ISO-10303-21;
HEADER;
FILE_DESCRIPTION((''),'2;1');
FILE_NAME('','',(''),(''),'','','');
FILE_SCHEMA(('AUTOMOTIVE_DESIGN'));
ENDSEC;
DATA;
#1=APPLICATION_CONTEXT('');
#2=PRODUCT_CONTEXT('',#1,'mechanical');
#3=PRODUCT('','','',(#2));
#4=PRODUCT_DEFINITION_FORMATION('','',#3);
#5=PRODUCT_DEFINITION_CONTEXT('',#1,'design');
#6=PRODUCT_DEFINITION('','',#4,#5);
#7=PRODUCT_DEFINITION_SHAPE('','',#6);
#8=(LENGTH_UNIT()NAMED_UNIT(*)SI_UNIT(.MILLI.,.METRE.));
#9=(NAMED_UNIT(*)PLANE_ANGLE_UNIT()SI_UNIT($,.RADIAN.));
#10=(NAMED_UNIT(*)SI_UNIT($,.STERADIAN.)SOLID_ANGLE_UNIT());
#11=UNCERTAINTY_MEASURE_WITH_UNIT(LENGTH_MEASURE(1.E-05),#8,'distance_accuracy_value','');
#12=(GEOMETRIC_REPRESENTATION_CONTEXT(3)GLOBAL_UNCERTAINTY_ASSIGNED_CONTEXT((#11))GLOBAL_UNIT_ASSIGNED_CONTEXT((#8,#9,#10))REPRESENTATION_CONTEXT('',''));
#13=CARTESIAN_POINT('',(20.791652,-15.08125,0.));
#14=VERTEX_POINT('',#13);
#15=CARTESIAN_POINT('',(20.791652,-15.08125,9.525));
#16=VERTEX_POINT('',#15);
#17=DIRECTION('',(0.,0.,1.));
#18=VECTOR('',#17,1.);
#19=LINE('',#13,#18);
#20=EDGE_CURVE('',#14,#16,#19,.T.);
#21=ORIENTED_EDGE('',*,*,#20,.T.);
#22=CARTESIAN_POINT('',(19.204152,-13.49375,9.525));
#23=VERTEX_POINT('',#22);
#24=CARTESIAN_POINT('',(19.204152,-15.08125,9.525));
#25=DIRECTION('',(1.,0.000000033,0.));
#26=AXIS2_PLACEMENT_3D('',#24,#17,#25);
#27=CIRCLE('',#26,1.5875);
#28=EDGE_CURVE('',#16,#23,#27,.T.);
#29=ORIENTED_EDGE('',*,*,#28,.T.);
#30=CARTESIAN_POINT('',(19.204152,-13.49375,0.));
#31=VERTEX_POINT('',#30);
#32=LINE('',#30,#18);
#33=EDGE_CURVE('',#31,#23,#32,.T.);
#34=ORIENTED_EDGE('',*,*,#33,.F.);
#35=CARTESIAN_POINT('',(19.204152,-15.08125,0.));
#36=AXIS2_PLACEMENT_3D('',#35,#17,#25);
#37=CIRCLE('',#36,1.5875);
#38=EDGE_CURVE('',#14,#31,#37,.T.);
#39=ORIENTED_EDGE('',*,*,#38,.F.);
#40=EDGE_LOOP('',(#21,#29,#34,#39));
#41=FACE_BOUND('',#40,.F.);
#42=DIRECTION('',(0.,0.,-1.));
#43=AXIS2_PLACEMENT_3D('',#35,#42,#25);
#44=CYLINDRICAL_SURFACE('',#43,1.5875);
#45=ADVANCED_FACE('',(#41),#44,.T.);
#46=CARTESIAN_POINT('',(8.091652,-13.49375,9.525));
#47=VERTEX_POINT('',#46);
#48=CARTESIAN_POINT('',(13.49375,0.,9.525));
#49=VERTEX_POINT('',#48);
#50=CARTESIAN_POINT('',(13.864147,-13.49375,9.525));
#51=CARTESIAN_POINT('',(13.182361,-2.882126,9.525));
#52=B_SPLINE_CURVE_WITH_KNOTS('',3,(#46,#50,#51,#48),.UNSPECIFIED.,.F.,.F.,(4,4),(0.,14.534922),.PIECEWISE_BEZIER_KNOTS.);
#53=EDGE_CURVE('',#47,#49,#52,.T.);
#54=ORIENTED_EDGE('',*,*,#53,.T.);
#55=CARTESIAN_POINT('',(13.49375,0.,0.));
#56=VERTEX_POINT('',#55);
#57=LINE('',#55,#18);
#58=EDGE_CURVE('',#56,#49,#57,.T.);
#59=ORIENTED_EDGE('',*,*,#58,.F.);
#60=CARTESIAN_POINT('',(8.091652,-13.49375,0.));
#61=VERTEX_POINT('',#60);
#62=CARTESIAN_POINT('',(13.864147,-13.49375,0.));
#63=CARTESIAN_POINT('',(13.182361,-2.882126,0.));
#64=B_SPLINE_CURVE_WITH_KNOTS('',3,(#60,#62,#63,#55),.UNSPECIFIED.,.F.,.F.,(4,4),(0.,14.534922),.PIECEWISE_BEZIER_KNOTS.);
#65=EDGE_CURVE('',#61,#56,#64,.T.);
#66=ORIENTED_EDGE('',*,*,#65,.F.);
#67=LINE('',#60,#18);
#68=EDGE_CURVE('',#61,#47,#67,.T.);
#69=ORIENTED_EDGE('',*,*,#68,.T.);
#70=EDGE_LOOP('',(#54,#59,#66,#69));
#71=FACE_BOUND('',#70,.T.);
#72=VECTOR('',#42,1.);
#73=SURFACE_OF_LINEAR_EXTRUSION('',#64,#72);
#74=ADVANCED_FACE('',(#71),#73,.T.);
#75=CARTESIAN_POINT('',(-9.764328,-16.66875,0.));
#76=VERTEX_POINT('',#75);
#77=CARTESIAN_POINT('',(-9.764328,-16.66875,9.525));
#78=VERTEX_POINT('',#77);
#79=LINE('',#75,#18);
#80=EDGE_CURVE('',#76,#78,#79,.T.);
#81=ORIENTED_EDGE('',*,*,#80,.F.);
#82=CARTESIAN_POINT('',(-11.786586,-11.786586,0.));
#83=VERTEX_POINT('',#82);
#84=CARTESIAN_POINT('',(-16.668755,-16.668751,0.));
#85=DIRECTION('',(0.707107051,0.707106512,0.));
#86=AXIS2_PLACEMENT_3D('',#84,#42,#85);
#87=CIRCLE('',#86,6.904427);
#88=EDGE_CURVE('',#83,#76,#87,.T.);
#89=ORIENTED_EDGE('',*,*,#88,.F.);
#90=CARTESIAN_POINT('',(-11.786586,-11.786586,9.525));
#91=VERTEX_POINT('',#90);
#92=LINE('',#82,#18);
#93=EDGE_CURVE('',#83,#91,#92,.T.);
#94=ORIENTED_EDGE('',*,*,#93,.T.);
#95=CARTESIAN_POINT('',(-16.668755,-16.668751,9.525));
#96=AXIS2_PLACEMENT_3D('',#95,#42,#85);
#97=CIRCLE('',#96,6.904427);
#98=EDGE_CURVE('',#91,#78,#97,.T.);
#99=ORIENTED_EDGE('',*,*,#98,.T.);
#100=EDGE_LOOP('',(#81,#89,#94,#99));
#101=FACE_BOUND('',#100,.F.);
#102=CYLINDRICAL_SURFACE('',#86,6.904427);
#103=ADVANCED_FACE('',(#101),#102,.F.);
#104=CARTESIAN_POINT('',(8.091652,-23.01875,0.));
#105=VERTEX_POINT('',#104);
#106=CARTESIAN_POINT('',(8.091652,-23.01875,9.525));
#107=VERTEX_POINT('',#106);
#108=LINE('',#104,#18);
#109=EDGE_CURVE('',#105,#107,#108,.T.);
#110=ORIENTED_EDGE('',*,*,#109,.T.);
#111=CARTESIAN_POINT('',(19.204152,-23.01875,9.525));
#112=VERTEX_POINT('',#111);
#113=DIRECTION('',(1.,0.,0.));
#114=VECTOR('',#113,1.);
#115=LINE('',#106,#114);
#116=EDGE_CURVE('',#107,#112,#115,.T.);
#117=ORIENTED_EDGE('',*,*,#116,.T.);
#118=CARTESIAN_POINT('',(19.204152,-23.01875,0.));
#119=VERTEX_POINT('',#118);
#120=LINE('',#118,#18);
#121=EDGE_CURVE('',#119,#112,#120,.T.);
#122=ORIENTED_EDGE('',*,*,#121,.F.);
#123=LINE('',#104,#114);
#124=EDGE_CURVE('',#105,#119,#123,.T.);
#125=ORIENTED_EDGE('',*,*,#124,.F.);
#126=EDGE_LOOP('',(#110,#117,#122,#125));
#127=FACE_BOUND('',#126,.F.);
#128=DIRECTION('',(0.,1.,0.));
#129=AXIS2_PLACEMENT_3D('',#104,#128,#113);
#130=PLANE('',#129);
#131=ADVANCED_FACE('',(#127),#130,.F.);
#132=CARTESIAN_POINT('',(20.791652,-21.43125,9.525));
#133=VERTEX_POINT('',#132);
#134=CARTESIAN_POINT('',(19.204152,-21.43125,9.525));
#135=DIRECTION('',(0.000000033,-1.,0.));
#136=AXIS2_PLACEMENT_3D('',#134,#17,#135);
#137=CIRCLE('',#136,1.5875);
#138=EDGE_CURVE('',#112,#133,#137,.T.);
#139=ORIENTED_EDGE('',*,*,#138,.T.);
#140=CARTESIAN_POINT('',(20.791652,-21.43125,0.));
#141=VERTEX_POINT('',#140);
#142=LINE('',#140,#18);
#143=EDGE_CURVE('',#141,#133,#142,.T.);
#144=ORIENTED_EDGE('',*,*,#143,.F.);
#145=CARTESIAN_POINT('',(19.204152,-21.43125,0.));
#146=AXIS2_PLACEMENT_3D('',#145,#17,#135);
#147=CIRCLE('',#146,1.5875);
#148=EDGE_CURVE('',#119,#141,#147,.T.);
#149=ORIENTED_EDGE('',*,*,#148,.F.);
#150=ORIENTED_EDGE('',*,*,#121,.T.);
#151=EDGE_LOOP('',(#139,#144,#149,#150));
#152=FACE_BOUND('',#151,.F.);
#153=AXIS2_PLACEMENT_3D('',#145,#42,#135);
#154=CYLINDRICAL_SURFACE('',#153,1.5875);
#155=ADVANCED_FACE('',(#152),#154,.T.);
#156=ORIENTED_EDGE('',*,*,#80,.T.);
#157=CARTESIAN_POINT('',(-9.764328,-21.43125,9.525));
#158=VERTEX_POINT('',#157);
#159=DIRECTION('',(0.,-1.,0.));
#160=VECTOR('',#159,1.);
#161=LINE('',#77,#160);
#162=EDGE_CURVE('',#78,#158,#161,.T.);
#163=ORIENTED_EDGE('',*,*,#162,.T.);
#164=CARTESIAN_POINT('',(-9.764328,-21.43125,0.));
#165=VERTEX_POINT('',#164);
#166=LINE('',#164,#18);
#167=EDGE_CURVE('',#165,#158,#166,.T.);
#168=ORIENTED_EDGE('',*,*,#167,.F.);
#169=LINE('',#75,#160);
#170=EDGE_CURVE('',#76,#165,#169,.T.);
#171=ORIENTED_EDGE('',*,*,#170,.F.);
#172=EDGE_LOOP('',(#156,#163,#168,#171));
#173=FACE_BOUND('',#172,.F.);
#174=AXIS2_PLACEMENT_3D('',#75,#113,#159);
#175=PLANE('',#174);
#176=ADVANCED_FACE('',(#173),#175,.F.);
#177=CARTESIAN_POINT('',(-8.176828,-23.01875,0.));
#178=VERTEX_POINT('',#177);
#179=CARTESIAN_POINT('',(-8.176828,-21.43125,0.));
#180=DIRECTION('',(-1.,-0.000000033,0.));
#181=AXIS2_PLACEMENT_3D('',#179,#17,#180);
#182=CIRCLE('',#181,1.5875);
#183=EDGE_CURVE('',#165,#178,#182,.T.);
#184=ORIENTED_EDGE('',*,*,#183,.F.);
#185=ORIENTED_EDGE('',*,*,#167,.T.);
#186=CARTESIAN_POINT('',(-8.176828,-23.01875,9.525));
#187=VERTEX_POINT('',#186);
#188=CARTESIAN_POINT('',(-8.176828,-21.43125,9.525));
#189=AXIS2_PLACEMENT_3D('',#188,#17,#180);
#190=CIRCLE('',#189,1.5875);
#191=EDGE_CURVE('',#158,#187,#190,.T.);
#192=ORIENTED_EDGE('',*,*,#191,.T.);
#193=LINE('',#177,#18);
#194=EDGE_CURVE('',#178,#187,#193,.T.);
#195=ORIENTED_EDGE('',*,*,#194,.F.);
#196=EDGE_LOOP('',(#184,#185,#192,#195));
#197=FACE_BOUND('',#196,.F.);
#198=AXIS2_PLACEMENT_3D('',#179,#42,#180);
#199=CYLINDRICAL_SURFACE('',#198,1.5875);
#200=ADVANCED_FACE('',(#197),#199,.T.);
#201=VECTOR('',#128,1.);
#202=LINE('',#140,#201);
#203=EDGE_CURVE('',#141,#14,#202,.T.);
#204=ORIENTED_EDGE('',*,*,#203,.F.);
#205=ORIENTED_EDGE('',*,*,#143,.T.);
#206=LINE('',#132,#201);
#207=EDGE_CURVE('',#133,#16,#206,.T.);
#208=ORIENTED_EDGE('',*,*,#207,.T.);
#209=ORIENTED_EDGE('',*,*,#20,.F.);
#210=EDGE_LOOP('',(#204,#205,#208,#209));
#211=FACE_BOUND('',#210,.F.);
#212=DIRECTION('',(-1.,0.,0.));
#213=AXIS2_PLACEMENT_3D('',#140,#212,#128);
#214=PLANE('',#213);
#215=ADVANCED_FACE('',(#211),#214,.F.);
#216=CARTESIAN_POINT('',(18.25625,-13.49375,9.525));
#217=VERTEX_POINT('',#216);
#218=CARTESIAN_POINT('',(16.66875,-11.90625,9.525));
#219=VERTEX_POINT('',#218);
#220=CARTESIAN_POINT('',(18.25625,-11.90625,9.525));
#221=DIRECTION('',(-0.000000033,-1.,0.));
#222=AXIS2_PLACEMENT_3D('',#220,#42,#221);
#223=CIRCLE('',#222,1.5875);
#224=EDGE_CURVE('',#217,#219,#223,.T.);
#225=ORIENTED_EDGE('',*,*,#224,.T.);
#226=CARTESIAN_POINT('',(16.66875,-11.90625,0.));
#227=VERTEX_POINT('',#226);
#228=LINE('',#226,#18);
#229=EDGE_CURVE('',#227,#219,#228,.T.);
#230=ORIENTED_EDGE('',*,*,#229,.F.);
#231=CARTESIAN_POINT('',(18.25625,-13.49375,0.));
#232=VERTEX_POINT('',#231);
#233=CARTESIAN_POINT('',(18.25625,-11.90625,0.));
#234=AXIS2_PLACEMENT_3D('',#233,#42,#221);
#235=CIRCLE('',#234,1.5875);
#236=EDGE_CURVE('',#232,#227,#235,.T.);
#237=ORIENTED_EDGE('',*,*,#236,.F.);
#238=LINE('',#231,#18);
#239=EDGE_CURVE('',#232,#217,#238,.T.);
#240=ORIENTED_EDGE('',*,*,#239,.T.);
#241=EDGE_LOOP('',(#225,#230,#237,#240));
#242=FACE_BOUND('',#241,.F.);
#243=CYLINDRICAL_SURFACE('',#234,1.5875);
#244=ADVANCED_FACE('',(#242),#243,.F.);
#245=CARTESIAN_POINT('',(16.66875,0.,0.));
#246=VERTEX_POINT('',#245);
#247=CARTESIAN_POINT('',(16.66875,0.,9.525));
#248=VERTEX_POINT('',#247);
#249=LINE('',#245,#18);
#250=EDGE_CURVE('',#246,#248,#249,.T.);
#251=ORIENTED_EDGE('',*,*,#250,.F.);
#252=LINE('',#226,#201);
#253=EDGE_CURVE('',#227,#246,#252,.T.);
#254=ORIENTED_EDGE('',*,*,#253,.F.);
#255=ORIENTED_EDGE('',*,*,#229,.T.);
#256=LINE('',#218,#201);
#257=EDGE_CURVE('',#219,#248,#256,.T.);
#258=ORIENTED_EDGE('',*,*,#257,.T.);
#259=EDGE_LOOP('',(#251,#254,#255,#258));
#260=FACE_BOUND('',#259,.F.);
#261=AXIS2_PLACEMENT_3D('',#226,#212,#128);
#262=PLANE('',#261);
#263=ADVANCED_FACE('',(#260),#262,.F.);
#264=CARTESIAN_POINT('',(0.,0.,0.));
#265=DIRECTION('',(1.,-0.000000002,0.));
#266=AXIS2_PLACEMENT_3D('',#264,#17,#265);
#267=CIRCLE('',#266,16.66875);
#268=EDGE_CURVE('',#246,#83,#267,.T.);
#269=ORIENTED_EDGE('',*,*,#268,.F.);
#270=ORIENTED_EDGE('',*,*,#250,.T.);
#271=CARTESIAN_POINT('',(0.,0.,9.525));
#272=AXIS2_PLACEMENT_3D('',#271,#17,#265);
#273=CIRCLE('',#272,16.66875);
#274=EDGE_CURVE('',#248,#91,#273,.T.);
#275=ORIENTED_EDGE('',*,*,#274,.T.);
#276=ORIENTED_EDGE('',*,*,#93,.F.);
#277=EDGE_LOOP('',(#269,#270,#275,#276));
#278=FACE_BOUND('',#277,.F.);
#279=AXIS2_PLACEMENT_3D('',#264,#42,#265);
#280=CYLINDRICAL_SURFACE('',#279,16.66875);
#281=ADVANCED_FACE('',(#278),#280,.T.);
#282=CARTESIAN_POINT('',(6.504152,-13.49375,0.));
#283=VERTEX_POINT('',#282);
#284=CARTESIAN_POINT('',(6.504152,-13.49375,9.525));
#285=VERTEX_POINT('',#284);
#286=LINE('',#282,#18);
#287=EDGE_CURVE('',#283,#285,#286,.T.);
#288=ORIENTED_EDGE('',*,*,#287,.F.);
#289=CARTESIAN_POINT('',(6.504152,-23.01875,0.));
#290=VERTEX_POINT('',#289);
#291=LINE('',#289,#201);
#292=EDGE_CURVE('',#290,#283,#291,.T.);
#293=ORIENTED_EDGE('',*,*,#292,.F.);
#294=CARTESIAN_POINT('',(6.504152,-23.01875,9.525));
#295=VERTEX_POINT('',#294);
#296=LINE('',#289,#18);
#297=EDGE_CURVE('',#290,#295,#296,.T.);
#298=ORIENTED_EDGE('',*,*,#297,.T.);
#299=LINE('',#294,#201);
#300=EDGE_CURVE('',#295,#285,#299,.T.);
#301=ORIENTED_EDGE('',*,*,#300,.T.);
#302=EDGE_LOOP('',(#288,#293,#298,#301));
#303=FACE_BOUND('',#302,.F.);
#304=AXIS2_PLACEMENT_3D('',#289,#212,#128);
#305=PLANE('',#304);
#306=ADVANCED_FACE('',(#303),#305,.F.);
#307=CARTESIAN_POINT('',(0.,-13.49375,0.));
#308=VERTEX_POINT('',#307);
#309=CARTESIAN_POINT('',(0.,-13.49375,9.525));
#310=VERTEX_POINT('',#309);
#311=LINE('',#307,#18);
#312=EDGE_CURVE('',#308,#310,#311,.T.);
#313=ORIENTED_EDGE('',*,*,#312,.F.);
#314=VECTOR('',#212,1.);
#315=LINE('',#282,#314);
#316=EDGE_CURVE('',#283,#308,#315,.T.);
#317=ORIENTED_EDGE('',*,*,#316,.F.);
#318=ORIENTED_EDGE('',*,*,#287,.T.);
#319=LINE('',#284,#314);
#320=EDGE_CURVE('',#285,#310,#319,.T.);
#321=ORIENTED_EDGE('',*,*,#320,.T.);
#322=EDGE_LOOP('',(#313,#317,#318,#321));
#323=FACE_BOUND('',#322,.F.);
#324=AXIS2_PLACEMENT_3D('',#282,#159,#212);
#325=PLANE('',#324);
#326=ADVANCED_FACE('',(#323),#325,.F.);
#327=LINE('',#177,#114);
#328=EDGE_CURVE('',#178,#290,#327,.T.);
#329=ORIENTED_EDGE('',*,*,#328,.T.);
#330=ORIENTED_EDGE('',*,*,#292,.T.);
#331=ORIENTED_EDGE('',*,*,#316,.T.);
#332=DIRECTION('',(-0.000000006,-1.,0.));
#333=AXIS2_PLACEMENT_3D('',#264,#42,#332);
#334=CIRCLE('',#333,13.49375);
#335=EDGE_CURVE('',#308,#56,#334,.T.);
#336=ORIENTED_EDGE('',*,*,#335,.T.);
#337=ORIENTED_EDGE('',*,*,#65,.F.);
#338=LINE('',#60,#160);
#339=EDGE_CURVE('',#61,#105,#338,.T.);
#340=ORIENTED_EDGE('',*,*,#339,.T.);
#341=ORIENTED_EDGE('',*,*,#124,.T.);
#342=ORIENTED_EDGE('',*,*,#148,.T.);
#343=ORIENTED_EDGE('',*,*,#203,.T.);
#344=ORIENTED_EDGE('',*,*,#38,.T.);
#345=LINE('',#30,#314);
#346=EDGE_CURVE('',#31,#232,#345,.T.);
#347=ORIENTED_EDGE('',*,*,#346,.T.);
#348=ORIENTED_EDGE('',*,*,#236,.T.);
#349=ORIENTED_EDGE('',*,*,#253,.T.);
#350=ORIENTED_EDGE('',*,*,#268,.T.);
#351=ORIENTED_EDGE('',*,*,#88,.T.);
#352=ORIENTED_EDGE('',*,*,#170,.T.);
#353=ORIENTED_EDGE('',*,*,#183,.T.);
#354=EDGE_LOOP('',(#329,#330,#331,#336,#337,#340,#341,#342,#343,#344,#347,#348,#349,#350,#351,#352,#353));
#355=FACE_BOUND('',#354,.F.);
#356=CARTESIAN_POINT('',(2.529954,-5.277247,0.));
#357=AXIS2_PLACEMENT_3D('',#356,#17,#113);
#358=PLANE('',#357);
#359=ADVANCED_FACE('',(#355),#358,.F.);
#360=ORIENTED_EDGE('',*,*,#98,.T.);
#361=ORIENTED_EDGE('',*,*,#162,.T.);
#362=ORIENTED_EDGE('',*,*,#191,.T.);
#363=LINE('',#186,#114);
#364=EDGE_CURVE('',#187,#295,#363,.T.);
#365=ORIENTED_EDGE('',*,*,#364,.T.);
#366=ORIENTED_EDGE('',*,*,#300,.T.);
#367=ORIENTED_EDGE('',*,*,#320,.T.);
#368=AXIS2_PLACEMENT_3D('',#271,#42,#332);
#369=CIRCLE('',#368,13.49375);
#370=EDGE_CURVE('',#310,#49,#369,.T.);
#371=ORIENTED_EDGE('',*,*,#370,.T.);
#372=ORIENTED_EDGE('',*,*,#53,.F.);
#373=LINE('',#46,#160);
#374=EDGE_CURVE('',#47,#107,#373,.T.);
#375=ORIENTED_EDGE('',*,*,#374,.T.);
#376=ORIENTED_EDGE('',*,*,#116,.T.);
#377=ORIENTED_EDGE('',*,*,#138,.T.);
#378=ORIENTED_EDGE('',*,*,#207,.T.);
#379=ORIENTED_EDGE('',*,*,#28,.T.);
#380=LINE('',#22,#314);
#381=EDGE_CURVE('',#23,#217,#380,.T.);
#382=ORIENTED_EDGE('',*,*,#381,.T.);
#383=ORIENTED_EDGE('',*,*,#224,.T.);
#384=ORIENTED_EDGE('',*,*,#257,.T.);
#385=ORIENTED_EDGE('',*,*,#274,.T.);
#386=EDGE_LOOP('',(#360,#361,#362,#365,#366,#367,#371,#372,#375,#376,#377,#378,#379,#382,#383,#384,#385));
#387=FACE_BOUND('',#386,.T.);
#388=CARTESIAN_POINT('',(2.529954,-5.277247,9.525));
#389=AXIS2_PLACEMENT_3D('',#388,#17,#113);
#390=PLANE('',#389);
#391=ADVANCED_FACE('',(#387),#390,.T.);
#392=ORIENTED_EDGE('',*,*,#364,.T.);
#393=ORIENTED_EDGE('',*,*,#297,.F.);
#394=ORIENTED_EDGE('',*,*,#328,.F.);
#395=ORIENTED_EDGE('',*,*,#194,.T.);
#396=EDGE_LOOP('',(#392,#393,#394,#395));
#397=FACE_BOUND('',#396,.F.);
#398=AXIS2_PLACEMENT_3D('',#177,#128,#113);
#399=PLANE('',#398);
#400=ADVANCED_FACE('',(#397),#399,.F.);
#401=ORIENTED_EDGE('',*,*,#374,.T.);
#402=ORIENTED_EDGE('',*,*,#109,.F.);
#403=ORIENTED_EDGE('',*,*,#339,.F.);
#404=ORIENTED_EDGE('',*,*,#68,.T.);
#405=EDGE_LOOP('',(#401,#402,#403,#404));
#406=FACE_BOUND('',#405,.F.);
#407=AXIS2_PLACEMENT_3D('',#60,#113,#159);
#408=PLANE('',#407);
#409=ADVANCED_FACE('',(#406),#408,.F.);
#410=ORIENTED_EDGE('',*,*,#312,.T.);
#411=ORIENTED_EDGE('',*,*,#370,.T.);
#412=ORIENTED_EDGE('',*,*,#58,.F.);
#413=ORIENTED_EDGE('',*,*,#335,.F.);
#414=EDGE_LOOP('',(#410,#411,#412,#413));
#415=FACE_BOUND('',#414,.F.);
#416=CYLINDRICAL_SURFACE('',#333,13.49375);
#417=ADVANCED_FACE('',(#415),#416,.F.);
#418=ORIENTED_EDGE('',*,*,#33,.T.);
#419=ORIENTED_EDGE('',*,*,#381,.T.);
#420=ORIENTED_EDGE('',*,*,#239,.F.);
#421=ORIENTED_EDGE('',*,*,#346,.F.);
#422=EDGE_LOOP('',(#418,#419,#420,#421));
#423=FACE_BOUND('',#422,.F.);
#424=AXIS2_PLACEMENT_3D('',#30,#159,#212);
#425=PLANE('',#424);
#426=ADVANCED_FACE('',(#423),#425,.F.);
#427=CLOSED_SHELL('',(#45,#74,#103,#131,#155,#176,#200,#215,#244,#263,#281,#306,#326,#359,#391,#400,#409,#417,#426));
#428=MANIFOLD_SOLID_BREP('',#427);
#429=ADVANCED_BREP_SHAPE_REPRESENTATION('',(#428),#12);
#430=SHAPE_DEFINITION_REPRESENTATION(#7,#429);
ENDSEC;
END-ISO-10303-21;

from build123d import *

# Parameters (mm, degrees)
F1_DEPTH = 9.525


with BuildPart() as f1:
    # F0 (on Top) → F1 (new body)
    with BuildSketch(Plane.XY):
        with BuildLine():
            ThreePointArc((0, -13.49375), (-9.541522, 9.541522), (13.49375, 0))
            add(Edge.make_bspline(
                [(8.091652, -13.49375), (13.864147, -13.49375), (13.182361, -2.882126), (13.49375, 0)],
                knots=[0, 0, 0, 0, 14.534922, 14.534922, 14.534922, 14.534922], degree=3))
            Line((8.091652, -13.49375), (8.091652, -23.01875))
            Line((8.091652, -23.01875), (19.204152, -23.01875))
            ThreePointArc((19.204152, -23.01875), (20.326684, -22.553782), (20.791652, -21.43125))
            Line((20.791652, -21.43125), (20.791652, -15.08125))
            ThreePointArc((20.791652, -15.08125), (20.326684, -13.958718), (19.204152, -13.49375))
            Line((19.204152, -13.49375), (18.25625, -13.49375))
            ThreePointArc((18.25625, -13.49375), (17.133718, -13.028782), (16.66875, -11.90625))
            Line((16.66875, -11.90625), (16.66875, 0))
            ThreePointArc((16.66875, 0), (-6.378854, 15.399917), (-11.786586, -11.786586))
            ThreePointArc((-11.786586, -11.786586), (-10.289896, -14.026542), (-9.764328, -16.66875))
            Line((-9.764328, -16.66875), (-9.764328, -21.43125))
            ThreePointArc((-9.764328, -21.43125), (-9.29936, -22.553782), (-8.176828, -23.01875))
            Line((-8.176828, -23.01875), (6.504152, -23.01875))
            Line((6.504152, -23.01875), (6.504152, -13.49375))
            Line((6.504152, -13.49375), (0, -13.49375))
        make_face()
    extrude(amount=F1_DEPTH)


solid = f1.part
